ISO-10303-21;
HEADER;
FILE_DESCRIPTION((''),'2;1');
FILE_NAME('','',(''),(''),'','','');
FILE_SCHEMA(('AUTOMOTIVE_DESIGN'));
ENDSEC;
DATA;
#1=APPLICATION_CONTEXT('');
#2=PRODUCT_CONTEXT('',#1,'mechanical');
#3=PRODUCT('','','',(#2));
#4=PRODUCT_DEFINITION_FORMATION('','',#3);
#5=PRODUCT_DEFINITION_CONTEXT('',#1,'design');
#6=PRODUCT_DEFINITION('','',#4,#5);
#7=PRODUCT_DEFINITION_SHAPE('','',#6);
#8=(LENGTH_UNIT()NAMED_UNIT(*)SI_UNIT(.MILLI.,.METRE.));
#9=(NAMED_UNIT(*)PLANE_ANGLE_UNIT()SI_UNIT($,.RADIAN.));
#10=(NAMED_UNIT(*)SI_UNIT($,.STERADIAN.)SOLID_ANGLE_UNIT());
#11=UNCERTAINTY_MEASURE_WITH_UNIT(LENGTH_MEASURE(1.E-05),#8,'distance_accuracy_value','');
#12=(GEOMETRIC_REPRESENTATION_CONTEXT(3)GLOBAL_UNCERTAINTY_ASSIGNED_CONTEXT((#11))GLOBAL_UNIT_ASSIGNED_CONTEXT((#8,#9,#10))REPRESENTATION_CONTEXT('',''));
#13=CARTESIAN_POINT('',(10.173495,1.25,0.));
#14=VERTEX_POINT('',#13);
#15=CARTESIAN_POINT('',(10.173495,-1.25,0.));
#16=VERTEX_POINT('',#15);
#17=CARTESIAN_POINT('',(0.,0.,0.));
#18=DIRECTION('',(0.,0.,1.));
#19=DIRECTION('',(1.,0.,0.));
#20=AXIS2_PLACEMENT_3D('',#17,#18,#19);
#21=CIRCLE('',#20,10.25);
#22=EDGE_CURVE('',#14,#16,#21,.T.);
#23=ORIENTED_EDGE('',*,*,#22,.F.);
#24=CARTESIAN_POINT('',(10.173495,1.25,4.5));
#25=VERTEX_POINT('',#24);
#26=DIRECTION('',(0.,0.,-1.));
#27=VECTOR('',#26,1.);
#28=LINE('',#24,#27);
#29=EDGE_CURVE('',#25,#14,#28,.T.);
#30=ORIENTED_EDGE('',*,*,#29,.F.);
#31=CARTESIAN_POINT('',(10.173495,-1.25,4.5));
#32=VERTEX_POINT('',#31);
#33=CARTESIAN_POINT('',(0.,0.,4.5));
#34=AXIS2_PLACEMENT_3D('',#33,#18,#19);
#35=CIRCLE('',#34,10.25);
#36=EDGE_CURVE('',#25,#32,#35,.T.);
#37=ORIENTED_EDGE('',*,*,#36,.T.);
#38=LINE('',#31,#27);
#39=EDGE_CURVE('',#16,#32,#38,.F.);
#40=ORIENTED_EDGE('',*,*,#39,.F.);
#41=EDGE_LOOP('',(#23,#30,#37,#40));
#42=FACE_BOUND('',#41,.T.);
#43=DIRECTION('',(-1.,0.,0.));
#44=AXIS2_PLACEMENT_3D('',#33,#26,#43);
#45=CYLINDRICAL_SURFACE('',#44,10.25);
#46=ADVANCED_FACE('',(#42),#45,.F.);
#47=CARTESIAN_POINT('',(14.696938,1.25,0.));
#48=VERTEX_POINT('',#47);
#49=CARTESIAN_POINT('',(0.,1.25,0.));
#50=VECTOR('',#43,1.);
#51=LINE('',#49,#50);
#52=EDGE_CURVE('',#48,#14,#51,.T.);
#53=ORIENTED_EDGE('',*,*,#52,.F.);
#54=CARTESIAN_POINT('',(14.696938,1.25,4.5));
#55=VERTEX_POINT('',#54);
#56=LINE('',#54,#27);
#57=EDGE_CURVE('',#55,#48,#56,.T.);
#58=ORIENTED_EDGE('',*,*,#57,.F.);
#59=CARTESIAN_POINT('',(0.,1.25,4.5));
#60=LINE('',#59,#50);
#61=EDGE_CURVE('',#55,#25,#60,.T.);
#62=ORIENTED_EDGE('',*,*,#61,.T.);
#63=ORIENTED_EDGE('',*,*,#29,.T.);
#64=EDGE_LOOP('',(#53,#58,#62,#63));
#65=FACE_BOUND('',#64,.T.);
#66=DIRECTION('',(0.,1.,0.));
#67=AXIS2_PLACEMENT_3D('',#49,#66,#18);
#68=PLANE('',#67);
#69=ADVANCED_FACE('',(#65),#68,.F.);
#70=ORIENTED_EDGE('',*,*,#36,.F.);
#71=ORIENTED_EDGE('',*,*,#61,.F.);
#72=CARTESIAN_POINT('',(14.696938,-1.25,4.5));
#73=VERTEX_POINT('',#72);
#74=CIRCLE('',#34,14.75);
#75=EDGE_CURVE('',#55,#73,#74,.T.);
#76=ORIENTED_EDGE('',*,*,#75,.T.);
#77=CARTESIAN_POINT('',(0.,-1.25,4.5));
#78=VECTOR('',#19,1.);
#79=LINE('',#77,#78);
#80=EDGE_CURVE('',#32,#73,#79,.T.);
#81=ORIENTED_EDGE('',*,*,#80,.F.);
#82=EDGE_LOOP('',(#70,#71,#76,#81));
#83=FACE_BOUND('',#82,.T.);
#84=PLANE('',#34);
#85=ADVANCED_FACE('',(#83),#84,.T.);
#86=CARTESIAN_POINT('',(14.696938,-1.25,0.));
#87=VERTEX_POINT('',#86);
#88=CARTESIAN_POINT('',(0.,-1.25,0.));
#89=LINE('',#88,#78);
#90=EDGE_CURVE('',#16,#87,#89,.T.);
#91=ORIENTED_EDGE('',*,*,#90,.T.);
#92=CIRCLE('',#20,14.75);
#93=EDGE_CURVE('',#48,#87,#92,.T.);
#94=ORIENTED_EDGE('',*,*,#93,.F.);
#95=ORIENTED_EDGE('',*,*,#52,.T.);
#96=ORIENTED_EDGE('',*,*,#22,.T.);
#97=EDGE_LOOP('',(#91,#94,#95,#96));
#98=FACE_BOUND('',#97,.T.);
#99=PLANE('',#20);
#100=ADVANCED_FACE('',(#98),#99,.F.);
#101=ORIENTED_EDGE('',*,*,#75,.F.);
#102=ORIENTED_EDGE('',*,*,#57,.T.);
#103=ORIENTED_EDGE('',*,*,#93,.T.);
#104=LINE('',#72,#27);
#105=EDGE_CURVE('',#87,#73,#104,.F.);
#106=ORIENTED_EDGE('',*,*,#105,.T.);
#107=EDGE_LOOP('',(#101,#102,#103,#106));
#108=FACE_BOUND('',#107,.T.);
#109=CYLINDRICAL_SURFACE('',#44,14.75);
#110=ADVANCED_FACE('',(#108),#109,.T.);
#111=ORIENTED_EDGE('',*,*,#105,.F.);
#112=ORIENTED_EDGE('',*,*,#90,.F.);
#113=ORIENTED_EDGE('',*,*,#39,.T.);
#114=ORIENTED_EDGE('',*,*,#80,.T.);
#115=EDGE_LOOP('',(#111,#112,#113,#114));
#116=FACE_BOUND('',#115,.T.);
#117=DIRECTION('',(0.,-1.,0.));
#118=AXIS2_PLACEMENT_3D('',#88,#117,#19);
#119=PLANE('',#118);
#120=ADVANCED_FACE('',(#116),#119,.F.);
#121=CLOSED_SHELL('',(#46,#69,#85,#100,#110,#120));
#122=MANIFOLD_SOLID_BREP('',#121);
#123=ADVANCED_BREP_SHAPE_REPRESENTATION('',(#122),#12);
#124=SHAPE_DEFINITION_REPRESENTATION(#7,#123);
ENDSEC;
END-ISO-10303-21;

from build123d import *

# Parameters (mm, degrees)
SKETCH_1_R          = 14.75
SKETCH_1_R_2        = 10.25
EXTRUDE_1_DEPTH     = 4.5
SKETCH_2_W          = 14.75
SKETCH_2_H          = 2.5
CUT_EXTRUDE_1_DEPTH = 22.339517333


with BuildPart() as part:
    # Эскиз1 → Вытянуть1 (new body)
    with BuildSketch(Plane.XY):
        Circle(SKETCH_1_R)
        Circle(SKETCH_1_R_2, mode=Mode.SUBTRACT)
    extrude(amount=EXTRUDE_1_DEPTH)

    # Эскиз2 → Вырез-Вытянуть1 (cut, through all)
    with BuildSketch(Plane.XY.offset(4.5)):
        with Locations((7.375, 0)):
            Rectangle(SKETCH_2_W, SKETCH_2_H)
    extrude(amount=-CUT_EXTRUDE_1_DEPTH, mode=Mode.SUBTRACT)


solid = part.part
